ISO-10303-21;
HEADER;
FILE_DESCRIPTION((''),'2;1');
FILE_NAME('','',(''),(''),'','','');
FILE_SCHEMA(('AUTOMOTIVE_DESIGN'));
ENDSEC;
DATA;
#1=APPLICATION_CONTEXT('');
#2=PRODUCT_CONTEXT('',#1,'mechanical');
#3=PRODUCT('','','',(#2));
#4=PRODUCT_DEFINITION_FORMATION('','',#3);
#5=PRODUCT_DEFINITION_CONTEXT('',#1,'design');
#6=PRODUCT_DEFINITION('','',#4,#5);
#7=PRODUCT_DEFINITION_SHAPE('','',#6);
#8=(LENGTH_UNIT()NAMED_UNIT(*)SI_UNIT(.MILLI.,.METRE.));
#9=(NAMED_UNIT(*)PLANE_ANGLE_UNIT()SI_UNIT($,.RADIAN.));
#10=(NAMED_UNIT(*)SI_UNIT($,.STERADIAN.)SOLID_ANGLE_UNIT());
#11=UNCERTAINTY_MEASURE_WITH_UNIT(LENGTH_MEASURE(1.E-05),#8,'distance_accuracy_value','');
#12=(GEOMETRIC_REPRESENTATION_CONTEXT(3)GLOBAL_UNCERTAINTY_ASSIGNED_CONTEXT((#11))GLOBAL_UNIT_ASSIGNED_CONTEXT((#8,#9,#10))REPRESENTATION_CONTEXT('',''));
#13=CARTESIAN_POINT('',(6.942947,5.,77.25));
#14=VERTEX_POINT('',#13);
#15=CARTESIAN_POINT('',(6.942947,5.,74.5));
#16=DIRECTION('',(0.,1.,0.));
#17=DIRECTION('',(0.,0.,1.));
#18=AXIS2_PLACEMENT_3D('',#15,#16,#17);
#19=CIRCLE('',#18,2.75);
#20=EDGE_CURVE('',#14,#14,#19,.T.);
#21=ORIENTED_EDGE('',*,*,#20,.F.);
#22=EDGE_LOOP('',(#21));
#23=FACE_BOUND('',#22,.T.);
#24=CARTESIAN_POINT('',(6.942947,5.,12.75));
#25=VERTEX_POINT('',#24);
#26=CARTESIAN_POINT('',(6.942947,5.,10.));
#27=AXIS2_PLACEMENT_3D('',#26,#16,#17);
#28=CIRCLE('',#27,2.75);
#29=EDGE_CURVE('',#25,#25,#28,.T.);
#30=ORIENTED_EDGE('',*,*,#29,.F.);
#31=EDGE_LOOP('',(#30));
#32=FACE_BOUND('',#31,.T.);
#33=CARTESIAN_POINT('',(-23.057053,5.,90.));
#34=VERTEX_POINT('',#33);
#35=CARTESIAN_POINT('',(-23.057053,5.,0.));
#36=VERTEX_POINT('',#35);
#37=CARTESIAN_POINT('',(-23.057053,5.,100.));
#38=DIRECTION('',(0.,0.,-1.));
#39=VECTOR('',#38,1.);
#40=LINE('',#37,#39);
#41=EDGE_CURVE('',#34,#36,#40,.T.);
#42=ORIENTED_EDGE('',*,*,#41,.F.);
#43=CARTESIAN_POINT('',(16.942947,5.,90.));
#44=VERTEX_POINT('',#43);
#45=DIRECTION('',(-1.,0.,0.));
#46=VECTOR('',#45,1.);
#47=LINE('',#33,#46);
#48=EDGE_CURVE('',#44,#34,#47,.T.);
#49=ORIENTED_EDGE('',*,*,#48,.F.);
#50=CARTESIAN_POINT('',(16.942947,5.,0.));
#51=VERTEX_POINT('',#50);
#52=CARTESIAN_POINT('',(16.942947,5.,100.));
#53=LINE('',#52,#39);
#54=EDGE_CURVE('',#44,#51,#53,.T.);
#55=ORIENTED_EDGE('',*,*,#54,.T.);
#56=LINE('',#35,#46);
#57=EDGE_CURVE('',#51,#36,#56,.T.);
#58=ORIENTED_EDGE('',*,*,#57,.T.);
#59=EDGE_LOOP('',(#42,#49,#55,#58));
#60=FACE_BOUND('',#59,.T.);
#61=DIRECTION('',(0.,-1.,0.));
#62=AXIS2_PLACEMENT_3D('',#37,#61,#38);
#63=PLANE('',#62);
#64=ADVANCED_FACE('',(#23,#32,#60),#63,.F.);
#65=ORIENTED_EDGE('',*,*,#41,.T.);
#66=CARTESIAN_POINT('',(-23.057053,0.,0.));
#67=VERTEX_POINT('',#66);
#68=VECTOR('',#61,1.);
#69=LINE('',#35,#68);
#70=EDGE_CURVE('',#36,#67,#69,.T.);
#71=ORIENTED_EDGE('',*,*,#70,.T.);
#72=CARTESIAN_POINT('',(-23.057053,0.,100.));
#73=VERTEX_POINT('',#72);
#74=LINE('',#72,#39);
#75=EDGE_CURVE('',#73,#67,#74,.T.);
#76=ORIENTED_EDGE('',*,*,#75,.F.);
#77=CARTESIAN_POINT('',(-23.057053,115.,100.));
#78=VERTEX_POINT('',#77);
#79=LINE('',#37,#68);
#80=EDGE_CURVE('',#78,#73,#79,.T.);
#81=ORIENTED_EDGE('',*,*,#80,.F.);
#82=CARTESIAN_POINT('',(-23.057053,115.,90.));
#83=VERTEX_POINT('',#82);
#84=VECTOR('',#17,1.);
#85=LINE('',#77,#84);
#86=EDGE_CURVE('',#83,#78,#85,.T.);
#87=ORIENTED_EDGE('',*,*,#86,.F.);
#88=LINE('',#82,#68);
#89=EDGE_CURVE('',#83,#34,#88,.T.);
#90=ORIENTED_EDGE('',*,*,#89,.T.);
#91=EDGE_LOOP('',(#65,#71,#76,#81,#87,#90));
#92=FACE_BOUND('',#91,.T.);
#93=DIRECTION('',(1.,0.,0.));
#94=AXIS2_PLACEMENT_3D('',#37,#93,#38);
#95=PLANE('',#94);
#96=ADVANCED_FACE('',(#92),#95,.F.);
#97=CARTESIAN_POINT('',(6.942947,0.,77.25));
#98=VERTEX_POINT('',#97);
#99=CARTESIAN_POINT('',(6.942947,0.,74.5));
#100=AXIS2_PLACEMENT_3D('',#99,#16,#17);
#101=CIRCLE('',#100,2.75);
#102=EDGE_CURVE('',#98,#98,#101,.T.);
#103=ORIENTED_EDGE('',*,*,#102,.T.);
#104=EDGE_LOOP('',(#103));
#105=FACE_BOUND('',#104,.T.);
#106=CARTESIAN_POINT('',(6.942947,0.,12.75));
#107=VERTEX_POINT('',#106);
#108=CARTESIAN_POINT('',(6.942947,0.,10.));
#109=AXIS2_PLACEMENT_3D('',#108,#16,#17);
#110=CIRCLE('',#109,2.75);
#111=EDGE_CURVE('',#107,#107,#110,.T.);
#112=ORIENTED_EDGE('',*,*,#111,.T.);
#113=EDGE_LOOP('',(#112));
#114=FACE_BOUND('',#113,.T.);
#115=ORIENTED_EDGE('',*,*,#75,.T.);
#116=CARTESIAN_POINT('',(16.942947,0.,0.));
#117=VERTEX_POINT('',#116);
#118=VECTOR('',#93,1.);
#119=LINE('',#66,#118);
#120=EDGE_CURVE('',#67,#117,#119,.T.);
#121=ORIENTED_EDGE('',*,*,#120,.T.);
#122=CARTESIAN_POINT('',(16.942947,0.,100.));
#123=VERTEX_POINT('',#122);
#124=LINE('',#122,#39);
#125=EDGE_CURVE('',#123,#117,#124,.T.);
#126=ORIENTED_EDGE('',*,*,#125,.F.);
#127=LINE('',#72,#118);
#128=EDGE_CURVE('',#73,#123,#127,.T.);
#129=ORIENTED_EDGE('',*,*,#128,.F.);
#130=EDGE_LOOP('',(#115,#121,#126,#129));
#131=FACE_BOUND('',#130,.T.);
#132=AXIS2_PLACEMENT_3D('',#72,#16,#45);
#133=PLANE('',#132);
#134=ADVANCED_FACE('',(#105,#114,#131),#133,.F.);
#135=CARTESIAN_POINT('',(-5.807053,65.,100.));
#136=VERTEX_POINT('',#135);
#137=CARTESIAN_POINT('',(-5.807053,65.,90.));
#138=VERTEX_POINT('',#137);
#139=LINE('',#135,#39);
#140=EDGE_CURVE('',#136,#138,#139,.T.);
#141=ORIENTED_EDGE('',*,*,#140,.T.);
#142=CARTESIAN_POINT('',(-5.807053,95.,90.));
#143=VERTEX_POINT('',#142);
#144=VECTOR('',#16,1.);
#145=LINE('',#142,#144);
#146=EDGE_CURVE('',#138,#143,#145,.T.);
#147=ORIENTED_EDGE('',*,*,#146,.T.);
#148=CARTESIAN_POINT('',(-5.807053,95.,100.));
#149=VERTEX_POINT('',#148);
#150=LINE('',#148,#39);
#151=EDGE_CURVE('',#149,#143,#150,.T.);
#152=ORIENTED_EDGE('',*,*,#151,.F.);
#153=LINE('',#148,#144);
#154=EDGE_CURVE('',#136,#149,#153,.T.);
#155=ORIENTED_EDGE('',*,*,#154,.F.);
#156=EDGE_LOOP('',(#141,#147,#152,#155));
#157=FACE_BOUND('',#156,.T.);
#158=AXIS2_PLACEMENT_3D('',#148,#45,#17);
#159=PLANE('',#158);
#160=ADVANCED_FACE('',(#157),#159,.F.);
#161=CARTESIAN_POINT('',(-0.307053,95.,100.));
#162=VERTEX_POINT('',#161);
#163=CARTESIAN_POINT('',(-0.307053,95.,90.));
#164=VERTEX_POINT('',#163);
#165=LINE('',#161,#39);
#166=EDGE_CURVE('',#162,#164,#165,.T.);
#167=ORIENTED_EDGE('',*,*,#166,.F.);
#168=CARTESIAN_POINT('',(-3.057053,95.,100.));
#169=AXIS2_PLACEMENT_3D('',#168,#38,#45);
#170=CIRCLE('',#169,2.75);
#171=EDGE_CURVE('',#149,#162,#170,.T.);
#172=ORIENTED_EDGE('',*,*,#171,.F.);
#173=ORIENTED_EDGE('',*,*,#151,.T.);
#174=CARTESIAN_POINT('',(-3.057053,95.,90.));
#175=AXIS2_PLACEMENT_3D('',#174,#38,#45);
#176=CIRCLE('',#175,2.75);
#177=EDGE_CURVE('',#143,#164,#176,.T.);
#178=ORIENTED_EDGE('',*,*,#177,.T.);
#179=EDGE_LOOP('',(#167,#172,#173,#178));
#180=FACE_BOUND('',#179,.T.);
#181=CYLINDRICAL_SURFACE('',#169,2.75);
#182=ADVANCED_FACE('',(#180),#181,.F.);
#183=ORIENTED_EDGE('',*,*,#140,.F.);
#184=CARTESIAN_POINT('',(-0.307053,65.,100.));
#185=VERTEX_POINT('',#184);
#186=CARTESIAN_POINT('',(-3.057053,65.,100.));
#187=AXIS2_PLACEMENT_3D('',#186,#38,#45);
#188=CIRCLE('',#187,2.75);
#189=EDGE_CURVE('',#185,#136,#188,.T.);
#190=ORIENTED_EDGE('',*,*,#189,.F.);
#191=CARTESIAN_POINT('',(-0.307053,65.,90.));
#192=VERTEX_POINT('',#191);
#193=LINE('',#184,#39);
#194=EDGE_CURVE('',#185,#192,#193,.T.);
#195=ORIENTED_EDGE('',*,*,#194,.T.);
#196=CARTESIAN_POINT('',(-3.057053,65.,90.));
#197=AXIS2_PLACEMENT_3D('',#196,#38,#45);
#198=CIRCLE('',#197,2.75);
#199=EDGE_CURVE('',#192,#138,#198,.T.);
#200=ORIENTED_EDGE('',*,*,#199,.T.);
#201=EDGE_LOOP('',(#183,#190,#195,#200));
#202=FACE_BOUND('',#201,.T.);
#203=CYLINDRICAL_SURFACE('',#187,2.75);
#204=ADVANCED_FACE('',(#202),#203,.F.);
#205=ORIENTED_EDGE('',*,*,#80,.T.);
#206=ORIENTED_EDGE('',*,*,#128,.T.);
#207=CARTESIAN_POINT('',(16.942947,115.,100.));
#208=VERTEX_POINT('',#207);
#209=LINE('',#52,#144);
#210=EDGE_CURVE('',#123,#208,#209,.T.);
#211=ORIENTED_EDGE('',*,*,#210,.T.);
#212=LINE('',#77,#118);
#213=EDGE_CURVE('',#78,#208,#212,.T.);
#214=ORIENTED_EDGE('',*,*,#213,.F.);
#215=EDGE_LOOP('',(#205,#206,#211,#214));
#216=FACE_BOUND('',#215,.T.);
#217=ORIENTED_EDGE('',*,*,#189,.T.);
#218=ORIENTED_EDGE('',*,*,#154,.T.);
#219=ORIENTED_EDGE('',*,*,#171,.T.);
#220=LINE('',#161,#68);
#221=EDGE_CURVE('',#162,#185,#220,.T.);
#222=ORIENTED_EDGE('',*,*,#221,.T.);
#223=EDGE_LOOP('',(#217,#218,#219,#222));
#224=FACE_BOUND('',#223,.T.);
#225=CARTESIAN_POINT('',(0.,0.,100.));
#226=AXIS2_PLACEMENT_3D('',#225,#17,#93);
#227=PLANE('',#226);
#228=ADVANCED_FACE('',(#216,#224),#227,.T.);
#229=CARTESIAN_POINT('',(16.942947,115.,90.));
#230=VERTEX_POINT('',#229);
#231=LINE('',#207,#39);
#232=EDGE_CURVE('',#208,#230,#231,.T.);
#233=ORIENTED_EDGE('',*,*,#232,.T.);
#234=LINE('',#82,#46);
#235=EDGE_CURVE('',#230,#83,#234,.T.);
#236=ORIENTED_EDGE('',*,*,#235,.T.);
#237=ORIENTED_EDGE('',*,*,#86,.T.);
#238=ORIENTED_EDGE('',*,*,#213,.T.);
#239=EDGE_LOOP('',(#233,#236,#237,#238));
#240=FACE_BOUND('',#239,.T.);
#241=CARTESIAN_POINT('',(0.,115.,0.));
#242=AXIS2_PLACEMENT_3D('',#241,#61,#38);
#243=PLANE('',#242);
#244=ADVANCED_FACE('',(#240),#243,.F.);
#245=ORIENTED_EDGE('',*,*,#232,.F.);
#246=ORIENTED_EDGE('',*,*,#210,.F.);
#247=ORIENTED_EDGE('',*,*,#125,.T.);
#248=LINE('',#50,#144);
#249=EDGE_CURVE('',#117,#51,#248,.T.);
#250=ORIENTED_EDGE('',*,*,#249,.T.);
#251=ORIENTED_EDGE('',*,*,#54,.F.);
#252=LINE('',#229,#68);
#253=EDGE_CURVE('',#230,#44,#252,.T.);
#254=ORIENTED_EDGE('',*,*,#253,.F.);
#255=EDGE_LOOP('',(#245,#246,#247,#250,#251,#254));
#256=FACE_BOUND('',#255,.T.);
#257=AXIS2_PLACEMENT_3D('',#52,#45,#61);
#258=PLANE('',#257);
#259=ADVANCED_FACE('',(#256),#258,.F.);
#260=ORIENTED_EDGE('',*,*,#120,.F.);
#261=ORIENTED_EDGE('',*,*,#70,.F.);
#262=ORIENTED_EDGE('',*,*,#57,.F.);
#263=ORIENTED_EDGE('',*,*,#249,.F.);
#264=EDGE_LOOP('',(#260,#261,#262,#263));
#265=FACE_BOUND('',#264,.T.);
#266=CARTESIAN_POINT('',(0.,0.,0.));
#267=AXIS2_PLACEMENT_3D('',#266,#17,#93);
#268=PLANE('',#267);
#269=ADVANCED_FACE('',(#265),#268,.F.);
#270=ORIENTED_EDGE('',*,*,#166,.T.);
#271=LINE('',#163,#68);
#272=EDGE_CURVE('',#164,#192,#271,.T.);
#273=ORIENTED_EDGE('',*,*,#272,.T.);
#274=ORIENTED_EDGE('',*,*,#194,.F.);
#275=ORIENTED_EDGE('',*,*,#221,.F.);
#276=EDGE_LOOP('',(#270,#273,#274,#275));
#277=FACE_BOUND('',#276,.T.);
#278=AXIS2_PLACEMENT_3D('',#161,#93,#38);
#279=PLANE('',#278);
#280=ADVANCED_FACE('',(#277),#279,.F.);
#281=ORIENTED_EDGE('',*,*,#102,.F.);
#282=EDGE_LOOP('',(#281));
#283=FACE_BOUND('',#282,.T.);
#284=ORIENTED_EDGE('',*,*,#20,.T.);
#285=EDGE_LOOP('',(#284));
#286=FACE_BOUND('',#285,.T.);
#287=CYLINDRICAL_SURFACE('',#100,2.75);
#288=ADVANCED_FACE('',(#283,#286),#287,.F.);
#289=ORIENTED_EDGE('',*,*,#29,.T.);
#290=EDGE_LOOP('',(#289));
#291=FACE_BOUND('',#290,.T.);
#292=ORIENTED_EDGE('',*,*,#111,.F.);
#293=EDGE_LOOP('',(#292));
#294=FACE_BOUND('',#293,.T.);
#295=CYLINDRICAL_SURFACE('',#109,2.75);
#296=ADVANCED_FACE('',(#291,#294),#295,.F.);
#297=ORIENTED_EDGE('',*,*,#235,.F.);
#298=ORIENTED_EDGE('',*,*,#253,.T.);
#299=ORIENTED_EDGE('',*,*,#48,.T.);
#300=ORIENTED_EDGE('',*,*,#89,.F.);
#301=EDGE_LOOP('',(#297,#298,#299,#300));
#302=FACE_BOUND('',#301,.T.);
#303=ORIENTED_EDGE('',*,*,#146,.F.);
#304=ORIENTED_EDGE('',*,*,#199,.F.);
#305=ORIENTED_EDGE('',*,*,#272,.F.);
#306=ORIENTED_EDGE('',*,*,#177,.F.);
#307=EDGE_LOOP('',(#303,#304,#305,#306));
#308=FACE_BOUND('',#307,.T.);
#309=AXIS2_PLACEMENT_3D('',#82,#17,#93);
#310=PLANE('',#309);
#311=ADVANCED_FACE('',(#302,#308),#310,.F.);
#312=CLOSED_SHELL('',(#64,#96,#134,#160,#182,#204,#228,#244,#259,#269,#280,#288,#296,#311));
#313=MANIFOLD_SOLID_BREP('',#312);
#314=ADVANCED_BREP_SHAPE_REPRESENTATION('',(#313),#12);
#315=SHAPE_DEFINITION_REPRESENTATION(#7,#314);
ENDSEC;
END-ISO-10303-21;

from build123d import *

# Parameters (mm, degrees)
SKETCH_1_W          = 40
SKETCH_1_H          = 5
EXTRUDE_1_DEPTH     = 100
SKETCH_3_R          = 2.75
CUT_EXTRUDE_1_DEPTH = 103.745450916
SKETCH_5_W          = 40
SKETCH_5_H          = 10
EXTRUDE_2_DEPTH     = 110
CUT_EXTRUDE_2_DEPTH = 148.839871767


with BuildPart() as part:
    # 草圖1 → 填料-伸長1 (new body)
    with BuildSketch(Plane.XY):
        with Locations((-3.057052805, 2.5)):
            Rectangle(SKETCH_1_W, SKETCH_1_H)
    extrude(amount=EXTRUDE_1_DEPTH)

    # 草圖3 → 除料-伸長1 (cut, through all)
    with BuildSketch(Plane(origin=(0, 5, 0), x_dir=(1, 0, 0), z_dir=(0, 1, 0))):
        with Locations(Location((6.942947195, -10, 0), (0, 0, 270))):
            Circle(SKETCH_3_R)
        with Locations(Location((6.942947195, -74.5, 0), (0, 0, 270))):
            Circle(SKETCH_3_R)
    extrude(amount=-CUT_EXTRUDE_1_DEPTH, mode=Mode.SUBTRACT)

    # 草圖5 → 填料-伸長2 (add)
    with BuildSketch(Plane(origin=(0, 5, 0), x_dir=(1, 0, 0), z_dir=(0, 1, 0))):
        with Locations((-3.057052805, -95)):
            Rectangle(SKETCH_5_W, SKETCH_5_H)
    extrude(amount=EXTRUDE_2_DEPTH)

    # 草圖7 → 除料-伸長2 (cut, through all)
    with BuildSketch(Plane(origin=(0, 0, 90), x_dir=(-1, 0, 0), z_dir=(0, 0, -1))):
        with BuildLine():
            Line((5.807052805, 95), (5.807052805, 65))
            ThreePointArc((5.807052805, 65), (3.057052805, 62.25), (0.307052805, 65))
            Line((0.307052805, 65), (0.307052805, 95))
            ThreePointArc((0.307052805, 95), (3.057052805, 97.75), (5.807052805, 95))
        make_face()
    extrude(amount=-CUT_EXTRUDE_2_DEPTH, mode=Mode.SUBTRACT)


solid = part.part
